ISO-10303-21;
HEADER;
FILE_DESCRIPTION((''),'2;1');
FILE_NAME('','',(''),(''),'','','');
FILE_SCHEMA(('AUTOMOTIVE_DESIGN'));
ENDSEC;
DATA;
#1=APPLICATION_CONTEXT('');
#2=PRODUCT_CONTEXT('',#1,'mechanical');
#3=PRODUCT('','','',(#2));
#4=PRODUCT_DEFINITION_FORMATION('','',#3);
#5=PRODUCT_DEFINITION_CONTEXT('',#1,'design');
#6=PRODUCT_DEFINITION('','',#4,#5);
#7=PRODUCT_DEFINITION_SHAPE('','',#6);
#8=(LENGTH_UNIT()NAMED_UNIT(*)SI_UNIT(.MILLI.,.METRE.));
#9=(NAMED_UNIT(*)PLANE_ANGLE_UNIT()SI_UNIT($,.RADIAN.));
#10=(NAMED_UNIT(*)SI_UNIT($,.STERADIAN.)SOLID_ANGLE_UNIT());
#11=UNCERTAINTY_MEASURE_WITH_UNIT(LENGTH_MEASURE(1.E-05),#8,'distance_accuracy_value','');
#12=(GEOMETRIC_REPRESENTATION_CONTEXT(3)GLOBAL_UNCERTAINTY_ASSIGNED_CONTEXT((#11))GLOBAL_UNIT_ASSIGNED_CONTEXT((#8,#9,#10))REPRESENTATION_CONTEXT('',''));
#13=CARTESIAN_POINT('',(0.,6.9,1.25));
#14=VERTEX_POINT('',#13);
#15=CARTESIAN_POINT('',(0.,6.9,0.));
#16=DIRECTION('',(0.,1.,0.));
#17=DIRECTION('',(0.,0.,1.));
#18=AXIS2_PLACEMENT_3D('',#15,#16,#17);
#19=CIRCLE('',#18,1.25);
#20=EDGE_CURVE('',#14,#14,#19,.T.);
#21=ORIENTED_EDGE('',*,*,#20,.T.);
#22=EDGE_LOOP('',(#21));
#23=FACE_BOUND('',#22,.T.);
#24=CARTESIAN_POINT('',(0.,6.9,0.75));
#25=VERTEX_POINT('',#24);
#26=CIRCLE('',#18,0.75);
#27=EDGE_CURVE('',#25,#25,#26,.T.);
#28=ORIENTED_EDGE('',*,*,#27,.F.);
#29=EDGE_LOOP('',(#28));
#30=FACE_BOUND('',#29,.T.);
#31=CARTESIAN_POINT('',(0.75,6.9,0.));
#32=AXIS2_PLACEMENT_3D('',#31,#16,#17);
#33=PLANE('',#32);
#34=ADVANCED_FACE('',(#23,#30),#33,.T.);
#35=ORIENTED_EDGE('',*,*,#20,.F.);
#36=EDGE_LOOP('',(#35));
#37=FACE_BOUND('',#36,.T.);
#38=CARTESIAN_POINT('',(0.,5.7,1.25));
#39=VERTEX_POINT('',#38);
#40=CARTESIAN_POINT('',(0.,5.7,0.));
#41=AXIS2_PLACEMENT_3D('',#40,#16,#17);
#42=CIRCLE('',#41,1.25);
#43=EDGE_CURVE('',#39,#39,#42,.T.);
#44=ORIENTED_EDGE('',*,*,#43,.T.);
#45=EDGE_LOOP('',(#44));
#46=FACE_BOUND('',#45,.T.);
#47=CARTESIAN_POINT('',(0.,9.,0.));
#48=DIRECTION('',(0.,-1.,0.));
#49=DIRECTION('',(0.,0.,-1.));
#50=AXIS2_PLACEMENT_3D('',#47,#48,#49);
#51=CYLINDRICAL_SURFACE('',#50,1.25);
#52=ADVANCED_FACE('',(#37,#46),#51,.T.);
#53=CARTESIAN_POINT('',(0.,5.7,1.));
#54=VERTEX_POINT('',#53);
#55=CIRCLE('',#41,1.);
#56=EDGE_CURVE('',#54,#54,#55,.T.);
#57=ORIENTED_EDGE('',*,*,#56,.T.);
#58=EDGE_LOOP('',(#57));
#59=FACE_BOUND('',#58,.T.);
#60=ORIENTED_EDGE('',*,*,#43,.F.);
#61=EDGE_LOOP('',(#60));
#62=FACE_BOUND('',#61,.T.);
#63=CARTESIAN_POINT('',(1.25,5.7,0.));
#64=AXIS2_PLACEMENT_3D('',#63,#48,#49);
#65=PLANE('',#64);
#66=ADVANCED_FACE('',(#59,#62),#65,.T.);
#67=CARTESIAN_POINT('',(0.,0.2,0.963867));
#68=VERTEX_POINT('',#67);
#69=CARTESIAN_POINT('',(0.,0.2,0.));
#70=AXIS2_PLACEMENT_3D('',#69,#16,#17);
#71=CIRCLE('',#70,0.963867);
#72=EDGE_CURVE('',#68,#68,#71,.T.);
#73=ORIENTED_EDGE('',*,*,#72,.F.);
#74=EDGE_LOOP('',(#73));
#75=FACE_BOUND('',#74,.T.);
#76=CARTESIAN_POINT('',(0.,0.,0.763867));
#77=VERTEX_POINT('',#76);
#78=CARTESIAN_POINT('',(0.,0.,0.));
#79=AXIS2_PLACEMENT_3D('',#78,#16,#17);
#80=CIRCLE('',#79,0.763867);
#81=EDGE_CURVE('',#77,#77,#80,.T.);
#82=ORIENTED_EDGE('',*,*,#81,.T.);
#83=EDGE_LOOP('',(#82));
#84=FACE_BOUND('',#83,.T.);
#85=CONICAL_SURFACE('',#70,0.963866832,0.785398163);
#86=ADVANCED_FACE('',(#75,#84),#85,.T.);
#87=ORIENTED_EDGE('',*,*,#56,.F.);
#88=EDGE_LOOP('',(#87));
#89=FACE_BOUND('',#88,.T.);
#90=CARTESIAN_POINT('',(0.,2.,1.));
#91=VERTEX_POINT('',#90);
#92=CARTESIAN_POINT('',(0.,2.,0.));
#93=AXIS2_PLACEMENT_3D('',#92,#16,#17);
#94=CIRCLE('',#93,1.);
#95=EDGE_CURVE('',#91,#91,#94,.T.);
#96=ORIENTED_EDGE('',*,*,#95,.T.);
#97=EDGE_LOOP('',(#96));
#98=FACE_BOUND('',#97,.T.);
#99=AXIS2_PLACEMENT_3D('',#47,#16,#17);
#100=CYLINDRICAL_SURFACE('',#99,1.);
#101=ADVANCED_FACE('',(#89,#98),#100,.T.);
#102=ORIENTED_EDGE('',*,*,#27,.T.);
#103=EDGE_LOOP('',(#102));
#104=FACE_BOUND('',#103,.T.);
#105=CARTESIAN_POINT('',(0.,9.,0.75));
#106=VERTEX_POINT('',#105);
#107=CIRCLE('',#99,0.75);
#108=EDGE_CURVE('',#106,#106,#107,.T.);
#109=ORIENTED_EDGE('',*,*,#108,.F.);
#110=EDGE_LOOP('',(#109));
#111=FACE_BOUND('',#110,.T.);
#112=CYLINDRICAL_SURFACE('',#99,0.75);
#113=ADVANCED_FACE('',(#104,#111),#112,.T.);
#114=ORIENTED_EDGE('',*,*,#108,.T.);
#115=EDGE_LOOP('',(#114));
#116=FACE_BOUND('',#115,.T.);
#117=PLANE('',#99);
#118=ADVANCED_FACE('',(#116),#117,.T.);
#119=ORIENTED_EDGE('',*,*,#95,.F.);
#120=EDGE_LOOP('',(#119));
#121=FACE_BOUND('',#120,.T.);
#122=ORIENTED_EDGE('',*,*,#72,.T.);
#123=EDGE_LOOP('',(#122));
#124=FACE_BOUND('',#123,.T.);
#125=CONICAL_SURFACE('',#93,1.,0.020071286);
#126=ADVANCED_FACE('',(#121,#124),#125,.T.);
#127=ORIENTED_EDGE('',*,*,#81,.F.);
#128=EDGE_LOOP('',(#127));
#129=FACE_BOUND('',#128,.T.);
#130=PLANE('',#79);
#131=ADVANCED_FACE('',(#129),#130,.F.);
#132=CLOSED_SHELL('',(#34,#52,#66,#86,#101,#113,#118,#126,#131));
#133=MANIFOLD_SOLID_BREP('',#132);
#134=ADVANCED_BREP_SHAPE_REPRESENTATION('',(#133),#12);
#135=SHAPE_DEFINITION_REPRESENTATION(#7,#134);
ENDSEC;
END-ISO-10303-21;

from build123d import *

# Parameters (mm, degrees)
SKETCH2_R           = 1.25
BOSS_EXTRUDE1_DEPTH = 9


with BuildPart() as part:
    # Sketch2 → Boss-Extrude1 (new body)
    with BuildSketch(Plane(origin=(0, 0, 0), x_dir=(1, 0, 0), z_dir=(0, 1, 0))):
        Circle(SKETCH2_R)
    extrude(amount=BOSS_EXTRUDE1_DEPTH)

    # Sketch4 → Cut-Revolve1 (revolve, cut)
    with BuildSketch(Plane.XY):
        Polygon((0.75, 9), (0.75, 6.9), (1.25, 6.9), (1.25, 5.7), (1, 5.7), (1, 2), (0.963866832, 0.2), (0.763866832, 0), (1.75, 0), (1.75, 9), align=None)
    revolve(axis=Axis((0, 9, 0), (0, -1, 0)), mode=Mode.SUBTRACT)


solid = part.part
